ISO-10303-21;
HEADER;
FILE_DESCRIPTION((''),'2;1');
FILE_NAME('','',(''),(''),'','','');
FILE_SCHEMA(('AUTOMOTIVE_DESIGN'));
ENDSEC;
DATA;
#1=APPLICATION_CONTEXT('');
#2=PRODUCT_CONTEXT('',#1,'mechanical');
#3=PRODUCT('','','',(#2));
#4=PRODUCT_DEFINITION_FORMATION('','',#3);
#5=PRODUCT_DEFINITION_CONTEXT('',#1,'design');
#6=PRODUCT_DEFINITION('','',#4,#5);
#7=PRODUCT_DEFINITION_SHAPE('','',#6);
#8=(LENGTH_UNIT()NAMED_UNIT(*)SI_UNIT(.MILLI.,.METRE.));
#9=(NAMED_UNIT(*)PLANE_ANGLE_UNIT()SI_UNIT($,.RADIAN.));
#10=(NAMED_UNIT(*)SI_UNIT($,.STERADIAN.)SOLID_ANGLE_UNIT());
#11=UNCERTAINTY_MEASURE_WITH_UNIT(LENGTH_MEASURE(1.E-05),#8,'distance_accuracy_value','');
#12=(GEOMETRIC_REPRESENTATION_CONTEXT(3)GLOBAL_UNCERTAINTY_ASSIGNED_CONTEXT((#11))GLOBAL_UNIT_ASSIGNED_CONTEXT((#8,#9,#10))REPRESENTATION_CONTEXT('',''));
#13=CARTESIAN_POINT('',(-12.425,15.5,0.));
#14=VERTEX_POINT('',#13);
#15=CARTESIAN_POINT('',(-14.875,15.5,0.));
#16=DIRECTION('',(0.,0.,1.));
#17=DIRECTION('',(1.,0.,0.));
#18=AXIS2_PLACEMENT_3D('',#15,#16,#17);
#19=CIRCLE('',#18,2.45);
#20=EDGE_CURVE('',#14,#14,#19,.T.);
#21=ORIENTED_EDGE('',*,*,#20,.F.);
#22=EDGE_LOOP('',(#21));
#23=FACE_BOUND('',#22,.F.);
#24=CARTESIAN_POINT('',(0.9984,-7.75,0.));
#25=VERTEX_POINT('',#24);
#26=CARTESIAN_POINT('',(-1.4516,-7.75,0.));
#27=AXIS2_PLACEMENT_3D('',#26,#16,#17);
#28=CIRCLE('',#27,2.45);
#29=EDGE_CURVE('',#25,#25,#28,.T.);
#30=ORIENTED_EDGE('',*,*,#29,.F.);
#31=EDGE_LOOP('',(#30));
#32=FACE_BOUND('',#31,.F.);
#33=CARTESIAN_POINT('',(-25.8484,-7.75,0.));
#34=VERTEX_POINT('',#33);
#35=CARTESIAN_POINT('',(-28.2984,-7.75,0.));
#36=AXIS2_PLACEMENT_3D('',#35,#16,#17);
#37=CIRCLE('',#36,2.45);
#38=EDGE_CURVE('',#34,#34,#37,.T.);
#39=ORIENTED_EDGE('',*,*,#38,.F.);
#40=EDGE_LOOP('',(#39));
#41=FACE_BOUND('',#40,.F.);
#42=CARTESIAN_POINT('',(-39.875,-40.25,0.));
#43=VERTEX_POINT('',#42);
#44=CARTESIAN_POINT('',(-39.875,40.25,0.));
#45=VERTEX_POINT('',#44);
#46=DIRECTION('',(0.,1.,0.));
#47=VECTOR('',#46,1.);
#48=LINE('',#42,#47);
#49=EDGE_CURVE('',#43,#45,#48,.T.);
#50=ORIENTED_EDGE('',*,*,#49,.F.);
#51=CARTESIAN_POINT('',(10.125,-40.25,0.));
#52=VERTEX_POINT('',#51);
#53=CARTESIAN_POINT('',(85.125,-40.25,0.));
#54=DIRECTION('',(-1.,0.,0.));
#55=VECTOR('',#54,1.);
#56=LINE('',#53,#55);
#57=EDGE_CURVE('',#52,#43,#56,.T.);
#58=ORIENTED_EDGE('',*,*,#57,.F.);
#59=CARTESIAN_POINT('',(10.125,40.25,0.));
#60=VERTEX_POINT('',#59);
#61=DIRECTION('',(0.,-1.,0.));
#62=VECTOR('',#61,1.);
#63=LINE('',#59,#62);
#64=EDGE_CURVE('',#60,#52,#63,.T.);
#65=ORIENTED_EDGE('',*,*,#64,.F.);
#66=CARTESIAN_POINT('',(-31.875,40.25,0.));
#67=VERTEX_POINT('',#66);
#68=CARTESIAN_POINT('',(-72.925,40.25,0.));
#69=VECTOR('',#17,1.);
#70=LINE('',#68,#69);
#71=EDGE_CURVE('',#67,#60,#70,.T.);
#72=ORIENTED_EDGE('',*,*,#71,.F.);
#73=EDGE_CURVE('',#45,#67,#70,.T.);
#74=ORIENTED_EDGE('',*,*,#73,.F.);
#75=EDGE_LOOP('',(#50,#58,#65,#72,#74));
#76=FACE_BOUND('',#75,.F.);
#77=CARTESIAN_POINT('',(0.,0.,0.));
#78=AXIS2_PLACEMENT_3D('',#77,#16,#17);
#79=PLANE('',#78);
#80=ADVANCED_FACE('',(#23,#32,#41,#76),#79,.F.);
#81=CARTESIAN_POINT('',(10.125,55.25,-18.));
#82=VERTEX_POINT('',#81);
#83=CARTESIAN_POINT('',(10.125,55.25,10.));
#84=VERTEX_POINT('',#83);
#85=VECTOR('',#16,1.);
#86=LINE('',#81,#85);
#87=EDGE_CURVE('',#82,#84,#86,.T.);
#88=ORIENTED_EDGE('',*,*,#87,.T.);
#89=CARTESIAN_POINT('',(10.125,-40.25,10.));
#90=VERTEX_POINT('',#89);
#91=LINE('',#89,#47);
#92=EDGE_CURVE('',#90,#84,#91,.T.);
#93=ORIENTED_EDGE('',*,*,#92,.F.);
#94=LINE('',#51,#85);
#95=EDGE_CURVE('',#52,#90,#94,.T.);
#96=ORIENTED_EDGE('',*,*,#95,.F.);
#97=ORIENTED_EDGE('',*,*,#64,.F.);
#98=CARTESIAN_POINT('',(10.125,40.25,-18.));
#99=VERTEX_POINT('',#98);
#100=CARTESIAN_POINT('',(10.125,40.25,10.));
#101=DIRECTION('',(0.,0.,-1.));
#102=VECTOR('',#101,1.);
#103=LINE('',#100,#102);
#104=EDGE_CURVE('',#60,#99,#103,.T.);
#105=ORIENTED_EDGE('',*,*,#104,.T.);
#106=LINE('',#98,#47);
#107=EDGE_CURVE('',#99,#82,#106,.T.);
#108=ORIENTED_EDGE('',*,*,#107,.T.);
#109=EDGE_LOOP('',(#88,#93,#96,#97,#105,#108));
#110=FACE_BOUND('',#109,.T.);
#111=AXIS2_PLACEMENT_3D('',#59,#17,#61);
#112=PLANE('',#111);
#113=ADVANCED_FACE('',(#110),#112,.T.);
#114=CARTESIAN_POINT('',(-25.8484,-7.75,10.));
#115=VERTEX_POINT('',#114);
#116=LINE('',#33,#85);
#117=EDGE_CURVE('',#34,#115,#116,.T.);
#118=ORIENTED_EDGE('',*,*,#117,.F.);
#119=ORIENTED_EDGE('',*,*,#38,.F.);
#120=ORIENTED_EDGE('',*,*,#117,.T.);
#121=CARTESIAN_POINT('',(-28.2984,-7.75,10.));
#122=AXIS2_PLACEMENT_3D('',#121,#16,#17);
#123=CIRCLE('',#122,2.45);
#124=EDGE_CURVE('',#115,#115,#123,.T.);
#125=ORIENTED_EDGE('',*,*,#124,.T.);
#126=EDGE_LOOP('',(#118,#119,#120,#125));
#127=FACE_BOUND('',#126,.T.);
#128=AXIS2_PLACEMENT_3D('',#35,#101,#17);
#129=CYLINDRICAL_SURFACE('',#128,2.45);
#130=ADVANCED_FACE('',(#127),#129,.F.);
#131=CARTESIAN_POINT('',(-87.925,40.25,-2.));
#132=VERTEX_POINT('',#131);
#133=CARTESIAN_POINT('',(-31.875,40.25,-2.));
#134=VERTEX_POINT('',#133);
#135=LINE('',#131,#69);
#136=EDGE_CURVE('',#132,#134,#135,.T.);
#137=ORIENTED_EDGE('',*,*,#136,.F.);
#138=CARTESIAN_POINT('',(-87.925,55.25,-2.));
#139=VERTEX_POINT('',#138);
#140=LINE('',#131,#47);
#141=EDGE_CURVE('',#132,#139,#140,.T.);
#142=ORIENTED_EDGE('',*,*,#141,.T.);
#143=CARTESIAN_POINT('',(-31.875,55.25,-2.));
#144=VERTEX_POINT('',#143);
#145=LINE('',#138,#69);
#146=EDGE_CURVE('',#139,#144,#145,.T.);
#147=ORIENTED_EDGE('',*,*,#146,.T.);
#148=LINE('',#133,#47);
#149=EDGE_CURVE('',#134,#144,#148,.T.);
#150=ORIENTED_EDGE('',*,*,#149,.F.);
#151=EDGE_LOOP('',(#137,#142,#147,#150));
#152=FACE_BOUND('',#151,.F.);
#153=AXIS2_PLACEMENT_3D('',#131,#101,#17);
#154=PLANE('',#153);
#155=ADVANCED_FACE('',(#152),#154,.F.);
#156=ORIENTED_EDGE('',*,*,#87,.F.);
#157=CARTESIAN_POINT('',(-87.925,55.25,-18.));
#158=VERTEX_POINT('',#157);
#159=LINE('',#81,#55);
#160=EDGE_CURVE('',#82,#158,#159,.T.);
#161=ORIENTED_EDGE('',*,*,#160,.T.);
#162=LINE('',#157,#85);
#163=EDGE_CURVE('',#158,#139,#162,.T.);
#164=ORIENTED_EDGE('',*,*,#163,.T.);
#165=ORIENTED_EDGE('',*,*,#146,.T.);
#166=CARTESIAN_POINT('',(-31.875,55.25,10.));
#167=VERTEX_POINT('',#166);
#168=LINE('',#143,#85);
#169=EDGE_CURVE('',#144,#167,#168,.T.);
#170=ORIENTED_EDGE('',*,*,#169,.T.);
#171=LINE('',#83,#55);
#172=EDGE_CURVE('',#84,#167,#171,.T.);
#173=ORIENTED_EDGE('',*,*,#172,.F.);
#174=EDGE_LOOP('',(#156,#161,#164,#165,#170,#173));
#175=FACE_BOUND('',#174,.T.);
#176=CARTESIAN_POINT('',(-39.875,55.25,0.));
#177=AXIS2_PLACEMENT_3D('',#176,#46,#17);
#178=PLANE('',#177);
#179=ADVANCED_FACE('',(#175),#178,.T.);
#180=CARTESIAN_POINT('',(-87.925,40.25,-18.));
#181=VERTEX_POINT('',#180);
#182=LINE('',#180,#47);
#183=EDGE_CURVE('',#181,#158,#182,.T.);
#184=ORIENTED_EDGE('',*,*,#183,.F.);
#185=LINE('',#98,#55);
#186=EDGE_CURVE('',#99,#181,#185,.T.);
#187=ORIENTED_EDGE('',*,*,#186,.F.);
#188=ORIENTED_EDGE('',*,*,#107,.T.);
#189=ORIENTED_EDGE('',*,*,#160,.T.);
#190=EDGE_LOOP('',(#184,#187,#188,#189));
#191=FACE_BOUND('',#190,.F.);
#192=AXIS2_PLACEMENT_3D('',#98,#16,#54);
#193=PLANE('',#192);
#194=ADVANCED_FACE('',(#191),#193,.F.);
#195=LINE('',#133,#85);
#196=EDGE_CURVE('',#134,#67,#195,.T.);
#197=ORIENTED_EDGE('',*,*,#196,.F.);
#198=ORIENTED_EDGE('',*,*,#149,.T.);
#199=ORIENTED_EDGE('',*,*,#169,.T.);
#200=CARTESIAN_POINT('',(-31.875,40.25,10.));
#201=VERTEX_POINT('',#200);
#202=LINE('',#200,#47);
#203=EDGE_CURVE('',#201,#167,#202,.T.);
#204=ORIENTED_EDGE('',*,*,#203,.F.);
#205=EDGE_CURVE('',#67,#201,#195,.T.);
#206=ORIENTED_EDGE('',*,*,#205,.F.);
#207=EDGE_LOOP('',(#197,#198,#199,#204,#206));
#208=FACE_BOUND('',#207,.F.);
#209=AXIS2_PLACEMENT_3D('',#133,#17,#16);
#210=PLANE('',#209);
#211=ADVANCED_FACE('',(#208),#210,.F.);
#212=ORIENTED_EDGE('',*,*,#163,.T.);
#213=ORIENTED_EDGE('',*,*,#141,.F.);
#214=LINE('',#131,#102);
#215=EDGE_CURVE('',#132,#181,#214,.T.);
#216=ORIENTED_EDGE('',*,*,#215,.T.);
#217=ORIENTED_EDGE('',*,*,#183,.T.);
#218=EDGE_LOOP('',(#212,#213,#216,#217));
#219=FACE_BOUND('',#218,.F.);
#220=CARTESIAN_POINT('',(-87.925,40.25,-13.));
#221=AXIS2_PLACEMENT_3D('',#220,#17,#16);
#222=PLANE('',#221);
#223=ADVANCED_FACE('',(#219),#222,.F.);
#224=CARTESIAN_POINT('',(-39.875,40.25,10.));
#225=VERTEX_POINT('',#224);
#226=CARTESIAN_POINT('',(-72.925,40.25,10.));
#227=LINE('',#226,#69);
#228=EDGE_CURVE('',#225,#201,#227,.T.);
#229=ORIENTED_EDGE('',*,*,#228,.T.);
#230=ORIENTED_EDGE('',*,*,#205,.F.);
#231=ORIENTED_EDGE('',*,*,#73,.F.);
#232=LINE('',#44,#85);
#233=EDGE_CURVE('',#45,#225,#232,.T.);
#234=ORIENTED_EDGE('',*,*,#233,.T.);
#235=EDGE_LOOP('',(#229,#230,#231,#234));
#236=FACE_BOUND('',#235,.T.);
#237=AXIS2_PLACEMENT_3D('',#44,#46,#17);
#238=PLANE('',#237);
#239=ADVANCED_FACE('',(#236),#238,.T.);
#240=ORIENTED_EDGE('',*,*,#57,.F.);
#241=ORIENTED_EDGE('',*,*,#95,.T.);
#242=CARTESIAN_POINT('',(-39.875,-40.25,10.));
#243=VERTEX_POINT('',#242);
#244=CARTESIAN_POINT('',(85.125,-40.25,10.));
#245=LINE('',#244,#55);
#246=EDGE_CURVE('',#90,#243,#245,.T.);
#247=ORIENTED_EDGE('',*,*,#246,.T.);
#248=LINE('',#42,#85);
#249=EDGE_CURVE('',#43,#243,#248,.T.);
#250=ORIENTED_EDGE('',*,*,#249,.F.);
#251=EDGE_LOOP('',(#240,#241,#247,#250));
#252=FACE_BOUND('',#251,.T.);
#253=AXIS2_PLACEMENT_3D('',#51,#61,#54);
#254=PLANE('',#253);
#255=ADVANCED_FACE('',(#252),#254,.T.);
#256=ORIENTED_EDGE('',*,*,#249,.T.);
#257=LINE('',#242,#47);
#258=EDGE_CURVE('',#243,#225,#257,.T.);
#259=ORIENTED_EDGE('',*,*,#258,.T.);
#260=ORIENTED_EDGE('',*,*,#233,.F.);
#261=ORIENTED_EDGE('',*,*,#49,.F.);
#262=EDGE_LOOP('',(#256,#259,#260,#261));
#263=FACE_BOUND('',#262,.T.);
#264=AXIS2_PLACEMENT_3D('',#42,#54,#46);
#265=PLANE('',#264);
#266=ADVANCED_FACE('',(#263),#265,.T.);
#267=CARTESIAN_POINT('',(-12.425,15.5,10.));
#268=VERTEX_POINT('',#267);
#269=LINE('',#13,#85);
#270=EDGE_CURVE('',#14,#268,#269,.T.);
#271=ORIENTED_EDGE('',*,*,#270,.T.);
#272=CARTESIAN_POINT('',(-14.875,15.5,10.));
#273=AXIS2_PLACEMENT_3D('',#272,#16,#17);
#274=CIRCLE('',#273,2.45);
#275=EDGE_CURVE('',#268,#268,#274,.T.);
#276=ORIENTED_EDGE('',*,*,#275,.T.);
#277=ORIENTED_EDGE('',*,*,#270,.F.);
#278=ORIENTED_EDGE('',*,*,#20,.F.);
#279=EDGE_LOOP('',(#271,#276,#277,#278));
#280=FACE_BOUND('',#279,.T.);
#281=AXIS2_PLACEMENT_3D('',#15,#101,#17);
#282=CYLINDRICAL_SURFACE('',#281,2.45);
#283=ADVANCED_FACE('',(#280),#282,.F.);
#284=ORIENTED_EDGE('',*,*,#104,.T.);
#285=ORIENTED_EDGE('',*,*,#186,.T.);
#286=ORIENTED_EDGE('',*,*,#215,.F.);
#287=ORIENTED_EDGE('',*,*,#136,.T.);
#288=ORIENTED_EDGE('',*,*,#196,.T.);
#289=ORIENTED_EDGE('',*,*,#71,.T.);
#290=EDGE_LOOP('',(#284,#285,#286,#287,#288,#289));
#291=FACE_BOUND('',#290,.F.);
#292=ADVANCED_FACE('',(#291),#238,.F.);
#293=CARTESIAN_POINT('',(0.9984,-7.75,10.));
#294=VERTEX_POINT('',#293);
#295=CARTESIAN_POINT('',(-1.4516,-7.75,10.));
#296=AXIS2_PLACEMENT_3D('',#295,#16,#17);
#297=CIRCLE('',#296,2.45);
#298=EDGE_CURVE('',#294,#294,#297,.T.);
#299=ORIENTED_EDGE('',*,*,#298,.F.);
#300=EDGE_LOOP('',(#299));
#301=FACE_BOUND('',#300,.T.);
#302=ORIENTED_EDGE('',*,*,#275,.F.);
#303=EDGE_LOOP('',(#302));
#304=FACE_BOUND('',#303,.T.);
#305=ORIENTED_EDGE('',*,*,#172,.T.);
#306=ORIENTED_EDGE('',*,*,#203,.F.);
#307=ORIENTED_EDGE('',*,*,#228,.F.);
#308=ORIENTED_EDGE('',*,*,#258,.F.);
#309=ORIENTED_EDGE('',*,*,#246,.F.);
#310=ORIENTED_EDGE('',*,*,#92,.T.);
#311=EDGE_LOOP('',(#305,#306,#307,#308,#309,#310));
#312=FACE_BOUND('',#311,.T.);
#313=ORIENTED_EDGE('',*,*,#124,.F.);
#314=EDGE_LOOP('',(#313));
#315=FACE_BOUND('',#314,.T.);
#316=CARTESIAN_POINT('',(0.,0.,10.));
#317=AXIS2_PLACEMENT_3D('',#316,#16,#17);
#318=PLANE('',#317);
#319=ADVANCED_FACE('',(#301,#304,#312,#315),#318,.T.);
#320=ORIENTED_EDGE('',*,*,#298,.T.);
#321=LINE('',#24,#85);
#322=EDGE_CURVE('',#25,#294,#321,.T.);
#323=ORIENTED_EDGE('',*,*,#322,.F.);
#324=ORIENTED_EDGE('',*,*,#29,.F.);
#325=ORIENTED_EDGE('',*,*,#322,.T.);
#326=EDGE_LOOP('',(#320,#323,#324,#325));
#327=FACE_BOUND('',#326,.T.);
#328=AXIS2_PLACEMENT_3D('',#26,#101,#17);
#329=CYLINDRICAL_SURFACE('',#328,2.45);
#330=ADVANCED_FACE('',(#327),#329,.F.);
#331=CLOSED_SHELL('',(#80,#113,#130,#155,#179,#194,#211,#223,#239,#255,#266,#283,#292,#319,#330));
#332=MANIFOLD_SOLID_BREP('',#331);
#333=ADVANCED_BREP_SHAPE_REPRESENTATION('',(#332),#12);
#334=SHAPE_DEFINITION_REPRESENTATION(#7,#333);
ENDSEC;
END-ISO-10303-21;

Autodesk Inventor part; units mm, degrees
ref_plane "YZ Plane" through (0, 0, 0) normal (1, 0, 0) x (0, 1, 0)
ref_plane "XZ Plane" through (0, 0, 0) normal (0, 1, 0) x (-1, 0, 0)
ref_plane "XY Plane" through (0, 0, 0) normal (0, 0, 1) x (1, 0, 0)
ref_plane "Arbeitsebene1" through (0, 0, 0) normal (0, 0, 1) x (1, 0, 0)
sketch "Skizze1" plane through (0, 0, 0) normal (0, 0, 1) x (1, 0, 0)
  circle A0 centre (-14.875, 15.5) radius 2.45 projected
  circle A1 centre (-28.2984, -7.75) radius 2.45 projected
  circle A2 centre (-1.4516, -7.75) radius 2.45 projected
  line L0 (-72.925, 40.25) -> (85.125, 40.25) projected
  line L1 (85.125, -40.25) -> (-72.925, -40.25) projected
  line L2 (10.125, -40.25) -> (-39.875, -40.25)
  line L3 (-39.875, -40.25) -> (-39.875, 40.25)
  line L4 (-39.875, 40.25) -> (10.125, 40.25)
  line L5 (10.125, 40.25) -> (10.125, -40.25)
  circle A3 centre (-28.2984, -7.75) radius 2.45
  circle A4 centre (-1.4516, -7.75) radius 2.45
  circle A5 centre (-14.875, 15.5) radius 2.45
  point P0 (0, 0)
  dimension "d4" = 25
  dimension "d5" = 50
extrude "Extrusion1" add sketch "Skizze1" along normal blind 10
ref_plane "Arbeitsebene2" through (-39.875, 40.25, 0) normal (0, 1, 0) x (1, 0, 0)
sketch "Skizze4" plane through (-39.875, 40.25, 0) normal (0, 1, 0) x (1, 0, 0)
  line L0 (50, 0) -> (50, -10) projected
  line L1 (50, -10) -> (50, 18)
  line L2 (50, 18) -> (-48.05, 18)
  line L3 (-48.05, 18) -> (-48.05, 2)
  line L4 (-48.05, 2) -> (8, 2)
  line L5 (8, 2) -> (8, -10)
  line L6 (50, -10) -> (0, -10) projected
  line L7 (50, -10) -> (8, -10)
  line L8 (-48.05, -54) -> (-48.05, 13) projected
  point P0 (39.875, 0)
  dimension "d15" = 28
  dimension "d17" = 90
  dimension "d22" = 0
  dimension "d23" = 98.05
extrude "Extrusion3" add sketch "Skizze4" along normal blind 15
properties part number "Querplattenaufsatz"
